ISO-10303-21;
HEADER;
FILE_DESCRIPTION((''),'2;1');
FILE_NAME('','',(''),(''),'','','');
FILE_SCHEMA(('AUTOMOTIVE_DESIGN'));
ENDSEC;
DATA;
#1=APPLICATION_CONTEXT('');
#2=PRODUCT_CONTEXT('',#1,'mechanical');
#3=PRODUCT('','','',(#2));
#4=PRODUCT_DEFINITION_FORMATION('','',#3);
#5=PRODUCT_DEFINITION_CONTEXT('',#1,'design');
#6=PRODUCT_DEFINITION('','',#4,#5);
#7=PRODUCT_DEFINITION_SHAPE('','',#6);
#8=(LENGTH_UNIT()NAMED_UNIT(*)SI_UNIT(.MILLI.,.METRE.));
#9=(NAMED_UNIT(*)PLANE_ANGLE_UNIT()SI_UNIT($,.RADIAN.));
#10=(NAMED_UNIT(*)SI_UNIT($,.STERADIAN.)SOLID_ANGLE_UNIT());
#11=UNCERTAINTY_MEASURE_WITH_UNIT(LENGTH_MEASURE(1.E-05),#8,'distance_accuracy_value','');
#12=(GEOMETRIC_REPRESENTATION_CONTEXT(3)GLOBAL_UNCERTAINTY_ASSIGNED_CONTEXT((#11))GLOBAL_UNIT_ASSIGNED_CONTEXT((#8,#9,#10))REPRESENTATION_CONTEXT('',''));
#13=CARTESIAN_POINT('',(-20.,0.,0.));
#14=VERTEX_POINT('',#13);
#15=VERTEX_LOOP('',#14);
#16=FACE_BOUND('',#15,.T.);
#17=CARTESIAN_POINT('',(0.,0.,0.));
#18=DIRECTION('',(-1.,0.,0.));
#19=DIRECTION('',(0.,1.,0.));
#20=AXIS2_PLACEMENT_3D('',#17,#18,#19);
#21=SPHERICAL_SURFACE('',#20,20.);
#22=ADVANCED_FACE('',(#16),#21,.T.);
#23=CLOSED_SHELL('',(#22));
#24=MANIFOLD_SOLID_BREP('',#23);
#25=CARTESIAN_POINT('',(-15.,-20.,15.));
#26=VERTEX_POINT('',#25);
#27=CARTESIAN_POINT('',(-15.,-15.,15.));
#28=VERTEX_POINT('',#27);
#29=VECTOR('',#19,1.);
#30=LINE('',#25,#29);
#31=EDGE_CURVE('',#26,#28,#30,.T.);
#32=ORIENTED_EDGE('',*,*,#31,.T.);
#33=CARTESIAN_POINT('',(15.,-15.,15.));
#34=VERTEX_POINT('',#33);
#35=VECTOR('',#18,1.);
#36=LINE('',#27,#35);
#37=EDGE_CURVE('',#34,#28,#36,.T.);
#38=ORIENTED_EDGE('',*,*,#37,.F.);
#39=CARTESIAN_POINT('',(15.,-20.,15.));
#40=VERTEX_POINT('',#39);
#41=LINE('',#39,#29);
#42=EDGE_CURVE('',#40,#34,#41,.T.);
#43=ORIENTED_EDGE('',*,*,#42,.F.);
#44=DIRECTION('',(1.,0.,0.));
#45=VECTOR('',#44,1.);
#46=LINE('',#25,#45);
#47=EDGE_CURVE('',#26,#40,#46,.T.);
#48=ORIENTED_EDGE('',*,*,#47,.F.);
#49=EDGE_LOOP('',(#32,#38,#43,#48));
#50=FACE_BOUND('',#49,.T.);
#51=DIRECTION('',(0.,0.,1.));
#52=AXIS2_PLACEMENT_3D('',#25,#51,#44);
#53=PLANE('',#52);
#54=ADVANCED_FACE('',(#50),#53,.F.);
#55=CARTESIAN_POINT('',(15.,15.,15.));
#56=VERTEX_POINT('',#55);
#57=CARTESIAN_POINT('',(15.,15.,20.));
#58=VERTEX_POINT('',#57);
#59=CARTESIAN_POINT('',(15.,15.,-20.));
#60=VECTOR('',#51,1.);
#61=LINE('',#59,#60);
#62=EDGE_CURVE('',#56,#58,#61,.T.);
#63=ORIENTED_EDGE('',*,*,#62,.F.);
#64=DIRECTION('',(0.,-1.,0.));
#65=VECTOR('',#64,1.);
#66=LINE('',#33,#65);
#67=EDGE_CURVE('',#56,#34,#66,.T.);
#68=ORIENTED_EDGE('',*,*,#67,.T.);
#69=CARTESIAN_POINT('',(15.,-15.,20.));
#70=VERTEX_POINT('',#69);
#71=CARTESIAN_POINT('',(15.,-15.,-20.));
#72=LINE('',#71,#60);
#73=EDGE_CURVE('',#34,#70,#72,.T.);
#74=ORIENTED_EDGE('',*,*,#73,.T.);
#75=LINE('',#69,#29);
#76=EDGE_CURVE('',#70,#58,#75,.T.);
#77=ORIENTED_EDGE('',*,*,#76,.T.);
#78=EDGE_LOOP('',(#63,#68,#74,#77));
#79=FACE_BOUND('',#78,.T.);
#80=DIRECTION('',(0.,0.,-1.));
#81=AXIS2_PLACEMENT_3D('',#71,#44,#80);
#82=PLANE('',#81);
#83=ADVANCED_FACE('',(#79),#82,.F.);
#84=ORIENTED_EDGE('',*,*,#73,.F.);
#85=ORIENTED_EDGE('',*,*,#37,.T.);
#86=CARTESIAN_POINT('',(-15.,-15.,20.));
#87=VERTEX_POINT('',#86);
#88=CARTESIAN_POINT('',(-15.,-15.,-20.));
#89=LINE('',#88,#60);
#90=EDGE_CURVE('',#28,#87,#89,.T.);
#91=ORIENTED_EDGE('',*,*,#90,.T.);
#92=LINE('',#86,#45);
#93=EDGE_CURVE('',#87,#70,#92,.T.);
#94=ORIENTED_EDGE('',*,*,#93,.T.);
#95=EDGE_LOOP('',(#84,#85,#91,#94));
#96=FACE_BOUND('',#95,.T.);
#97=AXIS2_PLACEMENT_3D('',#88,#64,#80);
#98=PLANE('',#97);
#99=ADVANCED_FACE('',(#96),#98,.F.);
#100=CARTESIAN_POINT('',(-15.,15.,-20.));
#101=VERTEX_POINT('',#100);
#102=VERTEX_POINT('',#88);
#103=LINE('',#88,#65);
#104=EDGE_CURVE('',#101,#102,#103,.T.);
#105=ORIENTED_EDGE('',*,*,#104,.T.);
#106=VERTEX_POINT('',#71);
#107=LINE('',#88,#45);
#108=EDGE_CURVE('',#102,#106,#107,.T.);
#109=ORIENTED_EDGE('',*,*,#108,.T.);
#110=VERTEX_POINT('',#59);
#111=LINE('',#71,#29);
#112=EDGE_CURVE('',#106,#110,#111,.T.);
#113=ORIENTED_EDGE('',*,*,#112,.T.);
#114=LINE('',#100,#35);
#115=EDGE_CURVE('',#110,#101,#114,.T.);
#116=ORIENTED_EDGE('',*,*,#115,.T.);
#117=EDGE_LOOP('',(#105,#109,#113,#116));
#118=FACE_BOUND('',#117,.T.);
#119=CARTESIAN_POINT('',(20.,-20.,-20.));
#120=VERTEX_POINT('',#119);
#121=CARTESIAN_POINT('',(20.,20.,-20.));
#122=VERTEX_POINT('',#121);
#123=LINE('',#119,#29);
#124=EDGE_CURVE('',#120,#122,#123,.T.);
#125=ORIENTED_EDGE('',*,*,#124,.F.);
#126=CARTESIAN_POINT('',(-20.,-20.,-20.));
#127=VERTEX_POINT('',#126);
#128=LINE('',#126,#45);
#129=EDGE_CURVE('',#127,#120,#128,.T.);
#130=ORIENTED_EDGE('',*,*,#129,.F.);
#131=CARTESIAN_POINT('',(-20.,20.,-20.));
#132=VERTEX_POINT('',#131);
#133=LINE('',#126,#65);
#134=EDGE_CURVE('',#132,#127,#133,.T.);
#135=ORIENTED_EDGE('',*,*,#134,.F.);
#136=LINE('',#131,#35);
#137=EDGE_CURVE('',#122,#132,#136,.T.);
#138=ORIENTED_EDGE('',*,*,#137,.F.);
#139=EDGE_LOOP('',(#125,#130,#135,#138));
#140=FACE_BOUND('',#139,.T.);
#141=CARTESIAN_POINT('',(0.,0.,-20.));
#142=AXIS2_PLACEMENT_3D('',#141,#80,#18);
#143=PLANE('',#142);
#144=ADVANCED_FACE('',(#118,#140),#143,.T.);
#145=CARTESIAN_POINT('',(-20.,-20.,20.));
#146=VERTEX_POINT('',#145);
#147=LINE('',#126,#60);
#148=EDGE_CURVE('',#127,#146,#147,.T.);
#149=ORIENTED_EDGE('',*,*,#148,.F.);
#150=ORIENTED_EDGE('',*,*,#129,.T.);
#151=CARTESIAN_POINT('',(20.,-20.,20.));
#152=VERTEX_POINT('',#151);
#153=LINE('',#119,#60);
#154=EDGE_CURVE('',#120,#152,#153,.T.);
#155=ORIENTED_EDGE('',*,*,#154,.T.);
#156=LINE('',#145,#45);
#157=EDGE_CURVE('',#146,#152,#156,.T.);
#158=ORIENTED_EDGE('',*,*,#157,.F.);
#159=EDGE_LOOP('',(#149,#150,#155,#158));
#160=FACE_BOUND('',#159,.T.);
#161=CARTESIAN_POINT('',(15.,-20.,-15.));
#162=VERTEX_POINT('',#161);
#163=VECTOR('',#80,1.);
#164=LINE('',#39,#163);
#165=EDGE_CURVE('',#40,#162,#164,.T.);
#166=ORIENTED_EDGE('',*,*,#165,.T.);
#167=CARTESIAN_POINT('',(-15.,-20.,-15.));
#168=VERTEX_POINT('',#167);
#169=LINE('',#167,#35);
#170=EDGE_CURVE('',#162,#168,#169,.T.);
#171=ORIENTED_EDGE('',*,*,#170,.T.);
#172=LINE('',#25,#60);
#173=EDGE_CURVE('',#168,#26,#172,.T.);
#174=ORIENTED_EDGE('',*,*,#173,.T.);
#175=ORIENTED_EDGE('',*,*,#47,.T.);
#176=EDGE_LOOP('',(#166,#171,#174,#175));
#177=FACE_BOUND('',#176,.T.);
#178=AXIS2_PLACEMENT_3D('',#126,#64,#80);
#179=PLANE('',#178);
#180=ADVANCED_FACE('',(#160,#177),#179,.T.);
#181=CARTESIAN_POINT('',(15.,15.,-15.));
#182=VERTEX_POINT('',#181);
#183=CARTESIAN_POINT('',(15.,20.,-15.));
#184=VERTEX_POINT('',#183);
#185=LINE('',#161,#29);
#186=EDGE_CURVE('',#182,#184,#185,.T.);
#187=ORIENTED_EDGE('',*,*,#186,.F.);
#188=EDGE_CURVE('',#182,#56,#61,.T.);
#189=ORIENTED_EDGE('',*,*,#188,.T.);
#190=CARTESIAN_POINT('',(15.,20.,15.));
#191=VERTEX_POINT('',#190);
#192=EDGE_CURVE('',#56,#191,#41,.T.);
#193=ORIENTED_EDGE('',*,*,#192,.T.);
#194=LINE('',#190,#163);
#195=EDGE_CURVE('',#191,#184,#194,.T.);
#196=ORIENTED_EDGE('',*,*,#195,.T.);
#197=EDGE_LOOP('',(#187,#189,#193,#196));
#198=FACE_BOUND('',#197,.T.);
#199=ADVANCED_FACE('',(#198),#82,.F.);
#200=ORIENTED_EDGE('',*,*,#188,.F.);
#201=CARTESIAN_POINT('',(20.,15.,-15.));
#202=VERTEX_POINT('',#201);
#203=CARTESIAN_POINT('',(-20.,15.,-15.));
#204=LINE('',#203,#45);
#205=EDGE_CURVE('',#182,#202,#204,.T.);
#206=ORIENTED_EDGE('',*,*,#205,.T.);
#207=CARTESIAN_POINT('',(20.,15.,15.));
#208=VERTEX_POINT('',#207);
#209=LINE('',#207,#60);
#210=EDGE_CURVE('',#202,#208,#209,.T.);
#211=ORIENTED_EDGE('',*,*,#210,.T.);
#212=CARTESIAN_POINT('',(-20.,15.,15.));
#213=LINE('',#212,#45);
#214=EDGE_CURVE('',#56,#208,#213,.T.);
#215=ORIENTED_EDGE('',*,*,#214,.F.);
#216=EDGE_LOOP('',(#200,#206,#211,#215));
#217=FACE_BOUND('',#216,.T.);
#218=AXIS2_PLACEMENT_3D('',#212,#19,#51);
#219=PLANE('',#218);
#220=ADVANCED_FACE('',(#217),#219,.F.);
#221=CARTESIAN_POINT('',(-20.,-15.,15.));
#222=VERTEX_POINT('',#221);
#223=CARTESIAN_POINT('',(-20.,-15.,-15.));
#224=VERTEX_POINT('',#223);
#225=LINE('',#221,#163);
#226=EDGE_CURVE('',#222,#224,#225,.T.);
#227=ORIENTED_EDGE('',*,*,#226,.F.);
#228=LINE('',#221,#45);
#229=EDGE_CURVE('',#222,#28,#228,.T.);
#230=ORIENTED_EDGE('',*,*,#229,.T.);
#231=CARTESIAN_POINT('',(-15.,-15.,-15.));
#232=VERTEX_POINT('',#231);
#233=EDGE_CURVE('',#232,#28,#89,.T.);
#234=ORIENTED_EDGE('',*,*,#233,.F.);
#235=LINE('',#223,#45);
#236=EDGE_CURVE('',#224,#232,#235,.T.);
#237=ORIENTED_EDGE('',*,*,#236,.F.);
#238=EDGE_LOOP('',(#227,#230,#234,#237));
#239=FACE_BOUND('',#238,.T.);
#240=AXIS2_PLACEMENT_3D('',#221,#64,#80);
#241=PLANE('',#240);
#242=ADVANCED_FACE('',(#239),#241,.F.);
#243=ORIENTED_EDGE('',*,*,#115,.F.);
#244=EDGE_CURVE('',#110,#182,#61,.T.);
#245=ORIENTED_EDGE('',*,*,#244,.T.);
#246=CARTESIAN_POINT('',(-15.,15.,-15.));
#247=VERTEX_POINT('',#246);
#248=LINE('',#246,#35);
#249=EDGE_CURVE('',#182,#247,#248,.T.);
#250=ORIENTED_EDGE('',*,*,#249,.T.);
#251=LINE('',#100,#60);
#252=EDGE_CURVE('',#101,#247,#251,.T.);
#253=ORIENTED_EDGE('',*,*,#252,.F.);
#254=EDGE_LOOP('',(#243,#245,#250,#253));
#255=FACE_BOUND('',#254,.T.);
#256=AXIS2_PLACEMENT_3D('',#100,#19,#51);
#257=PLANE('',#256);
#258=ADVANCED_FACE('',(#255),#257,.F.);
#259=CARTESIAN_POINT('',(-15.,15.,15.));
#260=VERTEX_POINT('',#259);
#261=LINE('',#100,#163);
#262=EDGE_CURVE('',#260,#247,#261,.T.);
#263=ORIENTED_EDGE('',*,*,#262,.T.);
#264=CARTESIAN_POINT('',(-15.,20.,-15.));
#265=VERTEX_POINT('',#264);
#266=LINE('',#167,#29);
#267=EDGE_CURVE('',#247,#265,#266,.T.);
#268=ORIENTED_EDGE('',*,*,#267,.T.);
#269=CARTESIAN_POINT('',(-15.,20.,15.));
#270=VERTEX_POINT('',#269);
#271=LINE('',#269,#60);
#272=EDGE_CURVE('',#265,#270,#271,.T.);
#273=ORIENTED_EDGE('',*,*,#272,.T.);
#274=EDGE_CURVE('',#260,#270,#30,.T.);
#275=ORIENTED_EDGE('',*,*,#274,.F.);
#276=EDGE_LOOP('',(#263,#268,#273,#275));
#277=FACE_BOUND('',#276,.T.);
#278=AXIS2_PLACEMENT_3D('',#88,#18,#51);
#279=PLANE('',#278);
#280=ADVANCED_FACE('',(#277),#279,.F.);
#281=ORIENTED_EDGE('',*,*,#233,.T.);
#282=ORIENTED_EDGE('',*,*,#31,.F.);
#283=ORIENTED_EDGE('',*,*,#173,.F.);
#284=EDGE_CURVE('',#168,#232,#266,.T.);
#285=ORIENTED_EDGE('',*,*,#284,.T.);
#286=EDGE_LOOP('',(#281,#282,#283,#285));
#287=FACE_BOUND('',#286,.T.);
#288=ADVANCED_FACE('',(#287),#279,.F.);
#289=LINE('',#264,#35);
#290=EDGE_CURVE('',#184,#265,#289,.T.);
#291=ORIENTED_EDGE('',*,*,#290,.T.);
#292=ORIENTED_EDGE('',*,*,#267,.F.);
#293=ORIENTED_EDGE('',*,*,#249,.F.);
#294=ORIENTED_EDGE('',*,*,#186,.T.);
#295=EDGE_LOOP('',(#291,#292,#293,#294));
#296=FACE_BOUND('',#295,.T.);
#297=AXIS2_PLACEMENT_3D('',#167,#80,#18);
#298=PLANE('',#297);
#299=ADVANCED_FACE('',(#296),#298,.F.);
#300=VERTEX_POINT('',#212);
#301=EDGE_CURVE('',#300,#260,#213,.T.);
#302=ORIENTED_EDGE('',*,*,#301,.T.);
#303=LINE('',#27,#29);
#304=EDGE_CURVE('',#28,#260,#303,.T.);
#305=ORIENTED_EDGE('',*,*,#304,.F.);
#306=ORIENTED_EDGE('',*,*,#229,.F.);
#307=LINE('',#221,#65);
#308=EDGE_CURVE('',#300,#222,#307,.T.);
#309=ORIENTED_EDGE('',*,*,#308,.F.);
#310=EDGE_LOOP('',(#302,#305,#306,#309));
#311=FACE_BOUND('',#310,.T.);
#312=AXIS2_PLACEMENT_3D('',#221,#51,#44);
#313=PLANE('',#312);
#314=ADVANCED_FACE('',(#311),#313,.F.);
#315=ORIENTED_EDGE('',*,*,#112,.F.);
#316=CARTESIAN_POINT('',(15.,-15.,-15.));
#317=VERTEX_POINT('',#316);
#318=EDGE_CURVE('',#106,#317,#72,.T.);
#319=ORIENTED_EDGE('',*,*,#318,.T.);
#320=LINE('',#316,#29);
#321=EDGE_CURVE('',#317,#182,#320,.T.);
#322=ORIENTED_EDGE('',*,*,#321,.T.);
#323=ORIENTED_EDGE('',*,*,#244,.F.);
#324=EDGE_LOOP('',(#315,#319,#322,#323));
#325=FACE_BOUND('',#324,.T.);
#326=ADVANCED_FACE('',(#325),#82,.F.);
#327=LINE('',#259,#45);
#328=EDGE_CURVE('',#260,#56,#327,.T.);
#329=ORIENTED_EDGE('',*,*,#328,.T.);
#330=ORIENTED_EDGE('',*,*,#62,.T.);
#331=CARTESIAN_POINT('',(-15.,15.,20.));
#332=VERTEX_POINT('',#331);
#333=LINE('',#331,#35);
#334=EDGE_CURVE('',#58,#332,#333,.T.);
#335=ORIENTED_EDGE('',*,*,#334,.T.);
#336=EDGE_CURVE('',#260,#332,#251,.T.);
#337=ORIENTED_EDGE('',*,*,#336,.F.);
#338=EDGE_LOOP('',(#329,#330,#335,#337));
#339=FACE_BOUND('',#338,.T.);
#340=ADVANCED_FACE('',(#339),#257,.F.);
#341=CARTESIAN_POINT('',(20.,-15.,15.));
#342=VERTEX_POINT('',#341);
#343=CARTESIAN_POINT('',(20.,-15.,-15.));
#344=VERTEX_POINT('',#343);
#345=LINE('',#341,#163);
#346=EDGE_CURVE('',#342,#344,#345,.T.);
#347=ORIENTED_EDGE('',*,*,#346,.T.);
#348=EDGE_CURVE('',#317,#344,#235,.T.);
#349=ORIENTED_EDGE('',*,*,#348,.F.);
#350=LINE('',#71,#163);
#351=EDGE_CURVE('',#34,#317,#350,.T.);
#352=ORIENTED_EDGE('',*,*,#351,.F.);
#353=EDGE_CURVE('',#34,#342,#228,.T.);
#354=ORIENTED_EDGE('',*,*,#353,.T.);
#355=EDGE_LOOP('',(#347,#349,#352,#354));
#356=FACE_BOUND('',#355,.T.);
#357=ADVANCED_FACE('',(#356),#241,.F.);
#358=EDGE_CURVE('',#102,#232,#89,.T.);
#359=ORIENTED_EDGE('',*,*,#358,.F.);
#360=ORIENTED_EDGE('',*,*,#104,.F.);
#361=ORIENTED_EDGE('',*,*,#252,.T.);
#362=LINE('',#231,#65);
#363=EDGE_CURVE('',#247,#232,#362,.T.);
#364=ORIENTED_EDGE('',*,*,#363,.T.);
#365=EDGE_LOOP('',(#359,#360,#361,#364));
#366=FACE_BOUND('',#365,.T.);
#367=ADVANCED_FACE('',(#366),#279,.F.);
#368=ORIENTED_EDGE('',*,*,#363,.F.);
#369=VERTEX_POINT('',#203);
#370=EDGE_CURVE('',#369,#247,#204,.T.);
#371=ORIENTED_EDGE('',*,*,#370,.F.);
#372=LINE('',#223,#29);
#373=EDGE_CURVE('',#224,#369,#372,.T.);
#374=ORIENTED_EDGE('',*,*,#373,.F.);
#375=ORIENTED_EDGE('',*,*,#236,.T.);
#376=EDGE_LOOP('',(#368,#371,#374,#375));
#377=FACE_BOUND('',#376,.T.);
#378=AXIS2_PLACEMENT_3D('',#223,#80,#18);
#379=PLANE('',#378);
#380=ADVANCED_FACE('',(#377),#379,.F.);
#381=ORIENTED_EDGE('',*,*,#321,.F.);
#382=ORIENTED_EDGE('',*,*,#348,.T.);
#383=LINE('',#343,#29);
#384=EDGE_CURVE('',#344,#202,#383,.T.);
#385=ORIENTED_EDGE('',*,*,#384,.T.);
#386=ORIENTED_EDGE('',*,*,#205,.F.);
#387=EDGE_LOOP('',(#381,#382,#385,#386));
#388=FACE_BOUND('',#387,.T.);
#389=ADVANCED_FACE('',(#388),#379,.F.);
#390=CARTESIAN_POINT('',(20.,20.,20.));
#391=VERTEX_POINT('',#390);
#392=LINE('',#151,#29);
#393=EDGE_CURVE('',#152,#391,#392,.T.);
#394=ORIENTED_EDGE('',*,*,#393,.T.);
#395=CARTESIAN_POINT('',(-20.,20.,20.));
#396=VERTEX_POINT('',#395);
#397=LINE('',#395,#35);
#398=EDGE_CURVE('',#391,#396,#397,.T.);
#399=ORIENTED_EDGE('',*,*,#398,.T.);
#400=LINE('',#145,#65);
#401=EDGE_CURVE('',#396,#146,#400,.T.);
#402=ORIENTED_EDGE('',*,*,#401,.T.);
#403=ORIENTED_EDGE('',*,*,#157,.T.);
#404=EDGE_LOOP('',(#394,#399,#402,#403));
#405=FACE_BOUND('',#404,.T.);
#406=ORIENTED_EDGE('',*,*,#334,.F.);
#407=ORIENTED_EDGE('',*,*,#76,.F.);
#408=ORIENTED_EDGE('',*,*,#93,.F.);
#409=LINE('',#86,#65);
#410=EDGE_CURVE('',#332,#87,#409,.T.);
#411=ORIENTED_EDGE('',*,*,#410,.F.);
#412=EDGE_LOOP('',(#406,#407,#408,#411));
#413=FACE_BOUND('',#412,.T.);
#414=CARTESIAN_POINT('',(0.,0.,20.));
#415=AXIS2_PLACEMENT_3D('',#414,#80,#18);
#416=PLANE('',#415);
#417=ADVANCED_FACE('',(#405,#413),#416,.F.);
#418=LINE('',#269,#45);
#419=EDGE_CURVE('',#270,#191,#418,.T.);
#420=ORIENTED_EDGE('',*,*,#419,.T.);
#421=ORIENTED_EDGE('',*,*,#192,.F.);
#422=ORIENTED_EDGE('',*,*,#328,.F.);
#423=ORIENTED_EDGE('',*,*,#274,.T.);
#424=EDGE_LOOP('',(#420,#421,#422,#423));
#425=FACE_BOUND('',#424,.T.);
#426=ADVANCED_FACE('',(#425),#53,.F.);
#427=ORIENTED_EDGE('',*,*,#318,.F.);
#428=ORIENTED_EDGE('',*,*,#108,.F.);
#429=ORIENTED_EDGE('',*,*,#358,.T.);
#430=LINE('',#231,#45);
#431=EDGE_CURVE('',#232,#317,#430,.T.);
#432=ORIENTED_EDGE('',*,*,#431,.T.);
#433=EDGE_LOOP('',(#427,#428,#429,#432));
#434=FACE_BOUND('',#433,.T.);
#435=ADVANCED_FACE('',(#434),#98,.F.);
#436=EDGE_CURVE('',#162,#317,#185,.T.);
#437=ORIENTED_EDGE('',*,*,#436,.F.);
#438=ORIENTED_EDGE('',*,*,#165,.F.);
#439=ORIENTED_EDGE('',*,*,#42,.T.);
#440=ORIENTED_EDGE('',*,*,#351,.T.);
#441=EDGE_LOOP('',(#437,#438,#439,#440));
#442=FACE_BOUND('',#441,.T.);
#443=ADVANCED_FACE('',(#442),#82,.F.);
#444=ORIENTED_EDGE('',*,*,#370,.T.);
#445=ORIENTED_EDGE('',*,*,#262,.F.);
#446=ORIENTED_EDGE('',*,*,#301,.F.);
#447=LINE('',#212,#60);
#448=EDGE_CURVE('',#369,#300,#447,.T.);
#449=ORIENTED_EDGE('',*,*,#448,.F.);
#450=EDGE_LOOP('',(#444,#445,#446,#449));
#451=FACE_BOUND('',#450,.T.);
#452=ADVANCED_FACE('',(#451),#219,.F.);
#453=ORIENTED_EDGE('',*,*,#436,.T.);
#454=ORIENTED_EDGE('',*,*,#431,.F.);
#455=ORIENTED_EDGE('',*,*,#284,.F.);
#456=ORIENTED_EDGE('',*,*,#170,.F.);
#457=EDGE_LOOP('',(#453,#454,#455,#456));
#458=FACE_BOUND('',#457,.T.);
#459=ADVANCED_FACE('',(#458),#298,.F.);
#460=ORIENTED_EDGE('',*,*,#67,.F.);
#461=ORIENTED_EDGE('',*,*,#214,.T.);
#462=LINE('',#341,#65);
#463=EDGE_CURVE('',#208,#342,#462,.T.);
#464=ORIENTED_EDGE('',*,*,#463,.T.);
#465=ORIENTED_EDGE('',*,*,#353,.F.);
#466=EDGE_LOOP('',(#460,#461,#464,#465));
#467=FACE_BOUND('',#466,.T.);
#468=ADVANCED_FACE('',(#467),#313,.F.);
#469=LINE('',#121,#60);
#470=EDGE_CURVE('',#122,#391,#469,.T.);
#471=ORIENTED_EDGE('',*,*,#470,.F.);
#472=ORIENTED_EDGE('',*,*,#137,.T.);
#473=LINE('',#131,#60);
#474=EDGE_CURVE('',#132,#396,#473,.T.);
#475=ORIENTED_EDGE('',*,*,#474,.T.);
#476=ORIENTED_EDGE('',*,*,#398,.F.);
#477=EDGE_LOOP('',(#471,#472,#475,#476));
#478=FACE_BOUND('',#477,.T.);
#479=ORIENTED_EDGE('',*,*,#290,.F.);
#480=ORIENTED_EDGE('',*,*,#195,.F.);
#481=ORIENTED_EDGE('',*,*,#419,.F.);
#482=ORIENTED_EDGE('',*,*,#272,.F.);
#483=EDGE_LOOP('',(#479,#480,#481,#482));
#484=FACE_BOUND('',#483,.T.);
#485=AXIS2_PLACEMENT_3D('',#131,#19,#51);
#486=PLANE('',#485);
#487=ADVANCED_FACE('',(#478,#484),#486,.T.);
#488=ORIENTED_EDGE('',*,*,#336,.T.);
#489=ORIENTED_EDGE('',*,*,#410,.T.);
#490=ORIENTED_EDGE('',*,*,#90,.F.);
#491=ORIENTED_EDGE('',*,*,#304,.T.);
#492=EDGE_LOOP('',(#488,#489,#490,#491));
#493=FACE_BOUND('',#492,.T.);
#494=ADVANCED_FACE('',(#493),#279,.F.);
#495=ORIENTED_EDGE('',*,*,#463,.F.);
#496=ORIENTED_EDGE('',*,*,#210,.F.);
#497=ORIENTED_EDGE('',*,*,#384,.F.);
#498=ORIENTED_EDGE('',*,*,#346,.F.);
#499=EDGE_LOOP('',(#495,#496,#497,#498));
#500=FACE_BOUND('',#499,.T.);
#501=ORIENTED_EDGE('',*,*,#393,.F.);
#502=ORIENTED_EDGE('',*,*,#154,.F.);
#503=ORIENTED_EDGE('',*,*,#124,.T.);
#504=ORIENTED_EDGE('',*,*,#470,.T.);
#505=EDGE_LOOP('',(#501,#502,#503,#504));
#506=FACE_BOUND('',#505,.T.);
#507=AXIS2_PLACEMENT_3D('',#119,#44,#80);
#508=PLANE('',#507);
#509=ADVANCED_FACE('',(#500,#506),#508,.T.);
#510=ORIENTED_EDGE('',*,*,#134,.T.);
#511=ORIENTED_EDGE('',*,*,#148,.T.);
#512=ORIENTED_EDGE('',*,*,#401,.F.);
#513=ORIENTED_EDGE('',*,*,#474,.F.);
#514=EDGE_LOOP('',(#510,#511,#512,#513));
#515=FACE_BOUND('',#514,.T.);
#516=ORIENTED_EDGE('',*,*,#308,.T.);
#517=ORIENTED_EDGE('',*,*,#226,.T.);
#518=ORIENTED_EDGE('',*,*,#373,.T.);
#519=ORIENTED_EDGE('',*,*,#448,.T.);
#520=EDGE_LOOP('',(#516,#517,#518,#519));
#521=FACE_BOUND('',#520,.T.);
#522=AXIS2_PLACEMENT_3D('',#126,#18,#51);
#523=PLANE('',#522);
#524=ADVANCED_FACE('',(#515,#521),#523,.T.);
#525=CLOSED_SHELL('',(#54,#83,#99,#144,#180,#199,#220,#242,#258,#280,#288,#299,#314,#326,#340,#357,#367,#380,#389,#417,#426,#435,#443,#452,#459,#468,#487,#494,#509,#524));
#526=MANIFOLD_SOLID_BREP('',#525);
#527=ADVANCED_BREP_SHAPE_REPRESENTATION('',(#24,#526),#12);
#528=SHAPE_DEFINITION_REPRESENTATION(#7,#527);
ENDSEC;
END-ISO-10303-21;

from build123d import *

# Parameters (mm, degrees)
BOSS_EXTRUDE1_DEPTH      = 20
BOSS_EXTRUDE1_DEPTH_BACK = 20
SKETCH1_W                = 40
SKETCH1_H                = 40
CUT_EXTRUDE1_DEPTH       = 35.641016151
CUT_EXTRUDE1_DEPTH_BACK  = 35.641016151
SKETCH2_W                = 30
SKETCH2_H                = 30
CUT_EXTRUDE2_DEPTH       = 35.641016151
CUT_EXTRUDE2_DEPTH_BACK  = 35.641016151
SKETCH3_W                = 30
SKETCH3_H                = 30
CUT_EXTRUDE3_DEPTH       = 35.641016151
CUT_EXTRUDE3_DEPTH_BACK  = 35.641016151
SKETCH4_W                = 30
SKETCH4_H                = 30


with BuildPart() as part:
    # Sketch1 → Boss-Extrude1 (new, two sides: drawn at the far end of the back side and taken through both)
    with BuildSketch(Plane.XY.offset(-BOSS_EXTRUDE1_DEPTH_BACK)):
        Rectangle(SKETCH1_W, SKETCH1_H)
    extrude(amount=BOSS_EXTRUDE1_DEPTH + BOSS_EXTRUDE1_DEPTH_BACK)

    # Sketch2 → Cut-Extrude1 (cut, two sides: drawn at the far end of the back side and taken through both)
    with BuildSketch(Plane.XY.offset(-CUT_EXTRUDE1_DEPTH_BACK)):
        Rectangle(SKETCH2_W, SKETCH2_H)
    extrude(amount=CUT_EXTRUDE1_DEPTH + CUT_EXTRUDE1_DEPTH_BACK, mode=Mode.SUBTRACT)

    # Sketch3 → Cut-Extrude2 (cut, two sides: drawn at the far end of the back side and taken through both)
    with BuildSketch(Plane(origin=(0, 0, 0), x_dir=(1, 0, 0), z_dir=(0, 1, 0)).offset(-CUT_EXTRUDE2_DEPTH_BACK)):
        Rectangle(SKETCH3_W, SKETCH3_H)
    extrude(amount=CUT_EXTRUDE2_DEPTH + CUT_EXTRUDE2_DEPTH_BACK, mode=Mode.SUBTRACT)

    # Sketch4 → Cut-Extrude3 (cut, two sides: drawn at the far end of the back side and taken through both)
    with BuildSketch(Plane(origin=(0, 0, 0), x_dir=(0, 0, -1), z_dir=(1, 0, 0)).offset(-CUT_EXTRUDE3_DEPTH_BACK)):
        Rectangle(SKETCH4_W, SKETCH4_H)
    extrude(amount=CUT_EXTRUDE3_DEPTH + CUT_EXTRUDE3_DEPTH_BACK, mode=Mode.SUBTRACT)


with BuildPart() as body_2:
    # Sketch5 → Revolve1 (revolve)
    with BuildSketch(Plane.XY):
        with BuildLine():
            Line((-20, 0), (20, 0))
            ThreePointArc((20, 0), (0, 20), (-20, 0))
        make_face()
    revolve(axis=Axis((-20, 0, 0), (1, 0, 0)))


solid = Compound([part.part, body_2.part])
